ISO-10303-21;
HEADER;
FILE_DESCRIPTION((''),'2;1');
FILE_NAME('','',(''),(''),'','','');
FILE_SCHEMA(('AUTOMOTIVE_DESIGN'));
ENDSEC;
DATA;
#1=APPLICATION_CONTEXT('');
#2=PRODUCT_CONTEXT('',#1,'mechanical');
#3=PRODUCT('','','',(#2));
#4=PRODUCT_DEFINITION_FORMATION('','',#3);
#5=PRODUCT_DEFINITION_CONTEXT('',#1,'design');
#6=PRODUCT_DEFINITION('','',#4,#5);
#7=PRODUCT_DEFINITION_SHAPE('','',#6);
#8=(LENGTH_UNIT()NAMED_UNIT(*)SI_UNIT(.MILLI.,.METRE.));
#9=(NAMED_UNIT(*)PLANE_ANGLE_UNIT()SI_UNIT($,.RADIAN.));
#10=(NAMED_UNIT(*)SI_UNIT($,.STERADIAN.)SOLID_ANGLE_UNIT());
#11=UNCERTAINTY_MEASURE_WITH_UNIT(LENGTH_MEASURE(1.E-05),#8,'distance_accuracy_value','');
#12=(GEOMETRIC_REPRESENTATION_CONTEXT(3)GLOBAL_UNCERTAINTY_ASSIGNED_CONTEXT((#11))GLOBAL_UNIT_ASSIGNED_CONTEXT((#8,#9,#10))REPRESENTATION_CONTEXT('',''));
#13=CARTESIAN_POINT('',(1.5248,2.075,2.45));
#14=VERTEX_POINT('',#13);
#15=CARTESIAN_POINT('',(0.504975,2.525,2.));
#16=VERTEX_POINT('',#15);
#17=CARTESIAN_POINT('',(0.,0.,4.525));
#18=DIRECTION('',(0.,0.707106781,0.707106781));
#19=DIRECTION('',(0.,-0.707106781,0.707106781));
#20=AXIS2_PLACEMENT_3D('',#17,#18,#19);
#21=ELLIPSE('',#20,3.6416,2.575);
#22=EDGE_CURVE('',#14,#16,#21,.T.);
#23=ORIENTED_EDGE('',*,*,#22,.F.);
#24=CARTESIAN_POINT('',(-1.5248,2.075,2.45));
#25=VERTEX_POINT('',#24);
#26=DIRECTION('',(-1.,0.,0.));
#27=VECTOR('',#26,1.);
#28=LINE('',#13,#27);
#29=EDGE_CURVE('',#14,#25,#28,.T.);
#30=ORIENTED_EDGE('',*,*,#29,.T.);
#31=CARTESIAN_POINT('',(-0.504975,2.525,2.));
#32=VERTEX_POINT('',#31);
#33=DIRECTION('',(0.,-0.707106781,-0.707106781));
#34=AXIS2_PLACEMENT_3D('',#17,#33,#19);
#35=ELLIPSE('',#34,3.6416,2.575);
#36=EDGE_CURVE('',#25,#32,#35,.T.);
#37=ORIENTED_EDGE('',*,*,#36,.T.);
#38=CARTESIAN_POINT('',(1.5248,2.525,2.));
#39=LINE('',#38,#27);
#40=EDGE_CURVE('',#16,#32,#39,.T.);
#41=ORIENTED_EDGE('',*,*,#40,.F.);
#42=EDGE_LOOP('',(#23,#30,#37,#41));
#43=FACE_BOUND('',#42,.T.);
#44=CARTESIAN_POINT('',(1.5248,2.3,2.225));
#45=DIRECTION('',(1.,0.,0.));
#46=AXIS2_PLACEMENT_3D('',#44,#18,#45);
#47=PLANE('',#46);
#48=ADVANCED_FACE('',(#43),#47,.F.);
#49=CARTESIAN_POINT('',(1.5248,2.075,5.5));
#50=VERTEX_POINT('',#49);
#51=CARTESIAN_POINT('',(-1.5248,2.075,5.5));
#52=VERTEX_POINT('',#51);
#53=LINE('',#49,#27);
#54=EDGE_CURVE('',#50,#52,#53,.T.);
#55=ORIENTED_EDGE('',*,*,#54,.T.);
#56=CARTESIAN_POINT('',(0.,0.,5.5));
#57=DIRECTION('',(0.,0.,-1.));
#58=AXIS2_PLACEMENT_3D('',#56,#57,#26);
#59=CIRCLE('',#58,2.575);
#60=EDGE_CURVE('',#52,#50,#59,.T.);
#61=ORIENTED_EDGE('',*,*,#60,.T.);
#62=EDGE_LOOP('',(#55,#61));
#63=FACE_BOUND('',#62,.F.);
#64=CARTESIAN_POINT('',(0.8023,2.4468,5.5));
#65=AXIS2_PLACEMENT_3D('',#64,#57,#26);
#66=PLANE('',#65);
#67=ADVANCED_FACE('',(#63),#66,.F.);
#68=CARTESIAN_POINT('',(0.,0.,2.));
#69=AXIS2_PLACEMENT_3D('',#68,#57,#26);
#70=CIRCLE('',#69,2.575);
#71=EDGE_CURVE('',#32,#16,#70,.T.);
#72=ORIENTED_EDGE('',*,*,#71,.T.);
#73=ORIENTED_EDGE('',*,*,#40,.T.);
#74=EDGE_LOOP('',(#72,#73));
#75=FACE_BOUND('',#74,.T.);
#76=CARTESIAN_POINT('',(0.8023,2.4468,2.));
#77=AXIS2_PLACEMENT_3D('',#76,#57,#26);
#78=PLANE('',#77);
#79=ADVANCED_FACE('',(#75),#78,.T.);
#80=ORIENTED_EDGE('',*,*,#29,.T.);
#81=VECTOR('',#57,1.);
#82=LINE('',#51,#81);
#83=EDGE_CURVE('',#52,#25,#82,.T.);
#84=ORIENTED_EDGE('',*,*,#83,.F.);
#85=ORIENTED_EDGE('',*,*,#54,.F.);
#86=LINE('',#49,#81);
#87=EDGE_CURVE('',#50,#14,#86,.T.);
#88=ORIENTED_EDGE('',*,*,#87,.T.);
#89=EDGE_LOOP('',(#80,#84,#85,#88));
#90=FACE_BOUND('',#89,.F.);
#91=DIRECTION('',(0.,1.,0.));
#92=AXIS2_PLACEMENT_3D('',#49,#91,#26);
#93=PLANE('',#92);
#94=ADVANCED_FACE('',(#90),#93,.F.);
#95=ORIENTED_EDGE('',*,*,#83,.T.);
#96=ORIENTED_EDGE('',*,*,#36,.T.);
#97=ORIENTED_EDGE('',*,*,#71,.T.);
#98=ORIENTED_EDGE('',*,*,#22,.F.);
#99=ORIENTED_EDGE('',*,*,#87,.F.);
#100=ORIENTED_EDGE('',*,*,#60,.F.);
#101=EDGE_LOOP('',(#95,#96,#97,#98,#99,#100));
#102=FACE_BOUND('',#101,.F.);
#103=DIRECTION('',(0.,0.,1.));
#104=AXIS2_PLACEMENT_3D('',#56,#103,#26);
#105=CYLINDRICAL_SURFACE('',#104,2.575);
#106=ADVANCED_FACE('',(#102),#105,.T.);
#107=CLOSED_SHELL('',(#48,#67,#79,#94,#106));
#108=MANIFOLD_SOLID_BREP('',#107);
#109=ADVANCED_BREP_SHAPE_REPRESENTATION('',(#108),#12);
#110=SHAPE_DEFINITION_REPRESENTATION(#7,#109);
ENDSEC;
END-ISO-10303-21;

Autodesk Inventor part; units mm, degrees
ref_plane "YZ Plane" through (0, 0, 0) normal (1, 0, 0) x (0, 1, 0)
ref_plane "XZ Plane" through (0, 0, 0) normal (0, 1, 0) x (-1, 0, 0)
ref_plane "XY Plane" through (0, 0, 0) normal (0, 0, 1) x (1, 0, 0)
sketch "Skizze2" plane through (0, -12.75, 0) normal (0, 0, -1) x (-1, 0, 0)
  circle A0 centre (0, 12.75) radius 3.5749 projected
  line L0 (-1.5248, 14.825) -> (1.5248, 14.825) projected
  point P0 (0, 12.75)
sketch "Skizze3" plane through (0.8023, 2.4468, 5.5) normal (0, 0, -1) x (-1, 0, 0)
  circle A0 centre (0.8023, -2.4468) radius 2.575 projected
  line L0 (-0.7225, -0.3718) -> (2.3271, -0.3718) projected
  point P0 (0.8023, -2.4468)
extrude "Extrusion2" add sketch "Skizze3" along normal blind 3.5 contours L0 A0 picked at (1.1542, -0.2806)
chamfer "Fase2" distance 0.45 angle 45 1 edges at (0, 2.075, 2)
properties part number "06-Gear"
